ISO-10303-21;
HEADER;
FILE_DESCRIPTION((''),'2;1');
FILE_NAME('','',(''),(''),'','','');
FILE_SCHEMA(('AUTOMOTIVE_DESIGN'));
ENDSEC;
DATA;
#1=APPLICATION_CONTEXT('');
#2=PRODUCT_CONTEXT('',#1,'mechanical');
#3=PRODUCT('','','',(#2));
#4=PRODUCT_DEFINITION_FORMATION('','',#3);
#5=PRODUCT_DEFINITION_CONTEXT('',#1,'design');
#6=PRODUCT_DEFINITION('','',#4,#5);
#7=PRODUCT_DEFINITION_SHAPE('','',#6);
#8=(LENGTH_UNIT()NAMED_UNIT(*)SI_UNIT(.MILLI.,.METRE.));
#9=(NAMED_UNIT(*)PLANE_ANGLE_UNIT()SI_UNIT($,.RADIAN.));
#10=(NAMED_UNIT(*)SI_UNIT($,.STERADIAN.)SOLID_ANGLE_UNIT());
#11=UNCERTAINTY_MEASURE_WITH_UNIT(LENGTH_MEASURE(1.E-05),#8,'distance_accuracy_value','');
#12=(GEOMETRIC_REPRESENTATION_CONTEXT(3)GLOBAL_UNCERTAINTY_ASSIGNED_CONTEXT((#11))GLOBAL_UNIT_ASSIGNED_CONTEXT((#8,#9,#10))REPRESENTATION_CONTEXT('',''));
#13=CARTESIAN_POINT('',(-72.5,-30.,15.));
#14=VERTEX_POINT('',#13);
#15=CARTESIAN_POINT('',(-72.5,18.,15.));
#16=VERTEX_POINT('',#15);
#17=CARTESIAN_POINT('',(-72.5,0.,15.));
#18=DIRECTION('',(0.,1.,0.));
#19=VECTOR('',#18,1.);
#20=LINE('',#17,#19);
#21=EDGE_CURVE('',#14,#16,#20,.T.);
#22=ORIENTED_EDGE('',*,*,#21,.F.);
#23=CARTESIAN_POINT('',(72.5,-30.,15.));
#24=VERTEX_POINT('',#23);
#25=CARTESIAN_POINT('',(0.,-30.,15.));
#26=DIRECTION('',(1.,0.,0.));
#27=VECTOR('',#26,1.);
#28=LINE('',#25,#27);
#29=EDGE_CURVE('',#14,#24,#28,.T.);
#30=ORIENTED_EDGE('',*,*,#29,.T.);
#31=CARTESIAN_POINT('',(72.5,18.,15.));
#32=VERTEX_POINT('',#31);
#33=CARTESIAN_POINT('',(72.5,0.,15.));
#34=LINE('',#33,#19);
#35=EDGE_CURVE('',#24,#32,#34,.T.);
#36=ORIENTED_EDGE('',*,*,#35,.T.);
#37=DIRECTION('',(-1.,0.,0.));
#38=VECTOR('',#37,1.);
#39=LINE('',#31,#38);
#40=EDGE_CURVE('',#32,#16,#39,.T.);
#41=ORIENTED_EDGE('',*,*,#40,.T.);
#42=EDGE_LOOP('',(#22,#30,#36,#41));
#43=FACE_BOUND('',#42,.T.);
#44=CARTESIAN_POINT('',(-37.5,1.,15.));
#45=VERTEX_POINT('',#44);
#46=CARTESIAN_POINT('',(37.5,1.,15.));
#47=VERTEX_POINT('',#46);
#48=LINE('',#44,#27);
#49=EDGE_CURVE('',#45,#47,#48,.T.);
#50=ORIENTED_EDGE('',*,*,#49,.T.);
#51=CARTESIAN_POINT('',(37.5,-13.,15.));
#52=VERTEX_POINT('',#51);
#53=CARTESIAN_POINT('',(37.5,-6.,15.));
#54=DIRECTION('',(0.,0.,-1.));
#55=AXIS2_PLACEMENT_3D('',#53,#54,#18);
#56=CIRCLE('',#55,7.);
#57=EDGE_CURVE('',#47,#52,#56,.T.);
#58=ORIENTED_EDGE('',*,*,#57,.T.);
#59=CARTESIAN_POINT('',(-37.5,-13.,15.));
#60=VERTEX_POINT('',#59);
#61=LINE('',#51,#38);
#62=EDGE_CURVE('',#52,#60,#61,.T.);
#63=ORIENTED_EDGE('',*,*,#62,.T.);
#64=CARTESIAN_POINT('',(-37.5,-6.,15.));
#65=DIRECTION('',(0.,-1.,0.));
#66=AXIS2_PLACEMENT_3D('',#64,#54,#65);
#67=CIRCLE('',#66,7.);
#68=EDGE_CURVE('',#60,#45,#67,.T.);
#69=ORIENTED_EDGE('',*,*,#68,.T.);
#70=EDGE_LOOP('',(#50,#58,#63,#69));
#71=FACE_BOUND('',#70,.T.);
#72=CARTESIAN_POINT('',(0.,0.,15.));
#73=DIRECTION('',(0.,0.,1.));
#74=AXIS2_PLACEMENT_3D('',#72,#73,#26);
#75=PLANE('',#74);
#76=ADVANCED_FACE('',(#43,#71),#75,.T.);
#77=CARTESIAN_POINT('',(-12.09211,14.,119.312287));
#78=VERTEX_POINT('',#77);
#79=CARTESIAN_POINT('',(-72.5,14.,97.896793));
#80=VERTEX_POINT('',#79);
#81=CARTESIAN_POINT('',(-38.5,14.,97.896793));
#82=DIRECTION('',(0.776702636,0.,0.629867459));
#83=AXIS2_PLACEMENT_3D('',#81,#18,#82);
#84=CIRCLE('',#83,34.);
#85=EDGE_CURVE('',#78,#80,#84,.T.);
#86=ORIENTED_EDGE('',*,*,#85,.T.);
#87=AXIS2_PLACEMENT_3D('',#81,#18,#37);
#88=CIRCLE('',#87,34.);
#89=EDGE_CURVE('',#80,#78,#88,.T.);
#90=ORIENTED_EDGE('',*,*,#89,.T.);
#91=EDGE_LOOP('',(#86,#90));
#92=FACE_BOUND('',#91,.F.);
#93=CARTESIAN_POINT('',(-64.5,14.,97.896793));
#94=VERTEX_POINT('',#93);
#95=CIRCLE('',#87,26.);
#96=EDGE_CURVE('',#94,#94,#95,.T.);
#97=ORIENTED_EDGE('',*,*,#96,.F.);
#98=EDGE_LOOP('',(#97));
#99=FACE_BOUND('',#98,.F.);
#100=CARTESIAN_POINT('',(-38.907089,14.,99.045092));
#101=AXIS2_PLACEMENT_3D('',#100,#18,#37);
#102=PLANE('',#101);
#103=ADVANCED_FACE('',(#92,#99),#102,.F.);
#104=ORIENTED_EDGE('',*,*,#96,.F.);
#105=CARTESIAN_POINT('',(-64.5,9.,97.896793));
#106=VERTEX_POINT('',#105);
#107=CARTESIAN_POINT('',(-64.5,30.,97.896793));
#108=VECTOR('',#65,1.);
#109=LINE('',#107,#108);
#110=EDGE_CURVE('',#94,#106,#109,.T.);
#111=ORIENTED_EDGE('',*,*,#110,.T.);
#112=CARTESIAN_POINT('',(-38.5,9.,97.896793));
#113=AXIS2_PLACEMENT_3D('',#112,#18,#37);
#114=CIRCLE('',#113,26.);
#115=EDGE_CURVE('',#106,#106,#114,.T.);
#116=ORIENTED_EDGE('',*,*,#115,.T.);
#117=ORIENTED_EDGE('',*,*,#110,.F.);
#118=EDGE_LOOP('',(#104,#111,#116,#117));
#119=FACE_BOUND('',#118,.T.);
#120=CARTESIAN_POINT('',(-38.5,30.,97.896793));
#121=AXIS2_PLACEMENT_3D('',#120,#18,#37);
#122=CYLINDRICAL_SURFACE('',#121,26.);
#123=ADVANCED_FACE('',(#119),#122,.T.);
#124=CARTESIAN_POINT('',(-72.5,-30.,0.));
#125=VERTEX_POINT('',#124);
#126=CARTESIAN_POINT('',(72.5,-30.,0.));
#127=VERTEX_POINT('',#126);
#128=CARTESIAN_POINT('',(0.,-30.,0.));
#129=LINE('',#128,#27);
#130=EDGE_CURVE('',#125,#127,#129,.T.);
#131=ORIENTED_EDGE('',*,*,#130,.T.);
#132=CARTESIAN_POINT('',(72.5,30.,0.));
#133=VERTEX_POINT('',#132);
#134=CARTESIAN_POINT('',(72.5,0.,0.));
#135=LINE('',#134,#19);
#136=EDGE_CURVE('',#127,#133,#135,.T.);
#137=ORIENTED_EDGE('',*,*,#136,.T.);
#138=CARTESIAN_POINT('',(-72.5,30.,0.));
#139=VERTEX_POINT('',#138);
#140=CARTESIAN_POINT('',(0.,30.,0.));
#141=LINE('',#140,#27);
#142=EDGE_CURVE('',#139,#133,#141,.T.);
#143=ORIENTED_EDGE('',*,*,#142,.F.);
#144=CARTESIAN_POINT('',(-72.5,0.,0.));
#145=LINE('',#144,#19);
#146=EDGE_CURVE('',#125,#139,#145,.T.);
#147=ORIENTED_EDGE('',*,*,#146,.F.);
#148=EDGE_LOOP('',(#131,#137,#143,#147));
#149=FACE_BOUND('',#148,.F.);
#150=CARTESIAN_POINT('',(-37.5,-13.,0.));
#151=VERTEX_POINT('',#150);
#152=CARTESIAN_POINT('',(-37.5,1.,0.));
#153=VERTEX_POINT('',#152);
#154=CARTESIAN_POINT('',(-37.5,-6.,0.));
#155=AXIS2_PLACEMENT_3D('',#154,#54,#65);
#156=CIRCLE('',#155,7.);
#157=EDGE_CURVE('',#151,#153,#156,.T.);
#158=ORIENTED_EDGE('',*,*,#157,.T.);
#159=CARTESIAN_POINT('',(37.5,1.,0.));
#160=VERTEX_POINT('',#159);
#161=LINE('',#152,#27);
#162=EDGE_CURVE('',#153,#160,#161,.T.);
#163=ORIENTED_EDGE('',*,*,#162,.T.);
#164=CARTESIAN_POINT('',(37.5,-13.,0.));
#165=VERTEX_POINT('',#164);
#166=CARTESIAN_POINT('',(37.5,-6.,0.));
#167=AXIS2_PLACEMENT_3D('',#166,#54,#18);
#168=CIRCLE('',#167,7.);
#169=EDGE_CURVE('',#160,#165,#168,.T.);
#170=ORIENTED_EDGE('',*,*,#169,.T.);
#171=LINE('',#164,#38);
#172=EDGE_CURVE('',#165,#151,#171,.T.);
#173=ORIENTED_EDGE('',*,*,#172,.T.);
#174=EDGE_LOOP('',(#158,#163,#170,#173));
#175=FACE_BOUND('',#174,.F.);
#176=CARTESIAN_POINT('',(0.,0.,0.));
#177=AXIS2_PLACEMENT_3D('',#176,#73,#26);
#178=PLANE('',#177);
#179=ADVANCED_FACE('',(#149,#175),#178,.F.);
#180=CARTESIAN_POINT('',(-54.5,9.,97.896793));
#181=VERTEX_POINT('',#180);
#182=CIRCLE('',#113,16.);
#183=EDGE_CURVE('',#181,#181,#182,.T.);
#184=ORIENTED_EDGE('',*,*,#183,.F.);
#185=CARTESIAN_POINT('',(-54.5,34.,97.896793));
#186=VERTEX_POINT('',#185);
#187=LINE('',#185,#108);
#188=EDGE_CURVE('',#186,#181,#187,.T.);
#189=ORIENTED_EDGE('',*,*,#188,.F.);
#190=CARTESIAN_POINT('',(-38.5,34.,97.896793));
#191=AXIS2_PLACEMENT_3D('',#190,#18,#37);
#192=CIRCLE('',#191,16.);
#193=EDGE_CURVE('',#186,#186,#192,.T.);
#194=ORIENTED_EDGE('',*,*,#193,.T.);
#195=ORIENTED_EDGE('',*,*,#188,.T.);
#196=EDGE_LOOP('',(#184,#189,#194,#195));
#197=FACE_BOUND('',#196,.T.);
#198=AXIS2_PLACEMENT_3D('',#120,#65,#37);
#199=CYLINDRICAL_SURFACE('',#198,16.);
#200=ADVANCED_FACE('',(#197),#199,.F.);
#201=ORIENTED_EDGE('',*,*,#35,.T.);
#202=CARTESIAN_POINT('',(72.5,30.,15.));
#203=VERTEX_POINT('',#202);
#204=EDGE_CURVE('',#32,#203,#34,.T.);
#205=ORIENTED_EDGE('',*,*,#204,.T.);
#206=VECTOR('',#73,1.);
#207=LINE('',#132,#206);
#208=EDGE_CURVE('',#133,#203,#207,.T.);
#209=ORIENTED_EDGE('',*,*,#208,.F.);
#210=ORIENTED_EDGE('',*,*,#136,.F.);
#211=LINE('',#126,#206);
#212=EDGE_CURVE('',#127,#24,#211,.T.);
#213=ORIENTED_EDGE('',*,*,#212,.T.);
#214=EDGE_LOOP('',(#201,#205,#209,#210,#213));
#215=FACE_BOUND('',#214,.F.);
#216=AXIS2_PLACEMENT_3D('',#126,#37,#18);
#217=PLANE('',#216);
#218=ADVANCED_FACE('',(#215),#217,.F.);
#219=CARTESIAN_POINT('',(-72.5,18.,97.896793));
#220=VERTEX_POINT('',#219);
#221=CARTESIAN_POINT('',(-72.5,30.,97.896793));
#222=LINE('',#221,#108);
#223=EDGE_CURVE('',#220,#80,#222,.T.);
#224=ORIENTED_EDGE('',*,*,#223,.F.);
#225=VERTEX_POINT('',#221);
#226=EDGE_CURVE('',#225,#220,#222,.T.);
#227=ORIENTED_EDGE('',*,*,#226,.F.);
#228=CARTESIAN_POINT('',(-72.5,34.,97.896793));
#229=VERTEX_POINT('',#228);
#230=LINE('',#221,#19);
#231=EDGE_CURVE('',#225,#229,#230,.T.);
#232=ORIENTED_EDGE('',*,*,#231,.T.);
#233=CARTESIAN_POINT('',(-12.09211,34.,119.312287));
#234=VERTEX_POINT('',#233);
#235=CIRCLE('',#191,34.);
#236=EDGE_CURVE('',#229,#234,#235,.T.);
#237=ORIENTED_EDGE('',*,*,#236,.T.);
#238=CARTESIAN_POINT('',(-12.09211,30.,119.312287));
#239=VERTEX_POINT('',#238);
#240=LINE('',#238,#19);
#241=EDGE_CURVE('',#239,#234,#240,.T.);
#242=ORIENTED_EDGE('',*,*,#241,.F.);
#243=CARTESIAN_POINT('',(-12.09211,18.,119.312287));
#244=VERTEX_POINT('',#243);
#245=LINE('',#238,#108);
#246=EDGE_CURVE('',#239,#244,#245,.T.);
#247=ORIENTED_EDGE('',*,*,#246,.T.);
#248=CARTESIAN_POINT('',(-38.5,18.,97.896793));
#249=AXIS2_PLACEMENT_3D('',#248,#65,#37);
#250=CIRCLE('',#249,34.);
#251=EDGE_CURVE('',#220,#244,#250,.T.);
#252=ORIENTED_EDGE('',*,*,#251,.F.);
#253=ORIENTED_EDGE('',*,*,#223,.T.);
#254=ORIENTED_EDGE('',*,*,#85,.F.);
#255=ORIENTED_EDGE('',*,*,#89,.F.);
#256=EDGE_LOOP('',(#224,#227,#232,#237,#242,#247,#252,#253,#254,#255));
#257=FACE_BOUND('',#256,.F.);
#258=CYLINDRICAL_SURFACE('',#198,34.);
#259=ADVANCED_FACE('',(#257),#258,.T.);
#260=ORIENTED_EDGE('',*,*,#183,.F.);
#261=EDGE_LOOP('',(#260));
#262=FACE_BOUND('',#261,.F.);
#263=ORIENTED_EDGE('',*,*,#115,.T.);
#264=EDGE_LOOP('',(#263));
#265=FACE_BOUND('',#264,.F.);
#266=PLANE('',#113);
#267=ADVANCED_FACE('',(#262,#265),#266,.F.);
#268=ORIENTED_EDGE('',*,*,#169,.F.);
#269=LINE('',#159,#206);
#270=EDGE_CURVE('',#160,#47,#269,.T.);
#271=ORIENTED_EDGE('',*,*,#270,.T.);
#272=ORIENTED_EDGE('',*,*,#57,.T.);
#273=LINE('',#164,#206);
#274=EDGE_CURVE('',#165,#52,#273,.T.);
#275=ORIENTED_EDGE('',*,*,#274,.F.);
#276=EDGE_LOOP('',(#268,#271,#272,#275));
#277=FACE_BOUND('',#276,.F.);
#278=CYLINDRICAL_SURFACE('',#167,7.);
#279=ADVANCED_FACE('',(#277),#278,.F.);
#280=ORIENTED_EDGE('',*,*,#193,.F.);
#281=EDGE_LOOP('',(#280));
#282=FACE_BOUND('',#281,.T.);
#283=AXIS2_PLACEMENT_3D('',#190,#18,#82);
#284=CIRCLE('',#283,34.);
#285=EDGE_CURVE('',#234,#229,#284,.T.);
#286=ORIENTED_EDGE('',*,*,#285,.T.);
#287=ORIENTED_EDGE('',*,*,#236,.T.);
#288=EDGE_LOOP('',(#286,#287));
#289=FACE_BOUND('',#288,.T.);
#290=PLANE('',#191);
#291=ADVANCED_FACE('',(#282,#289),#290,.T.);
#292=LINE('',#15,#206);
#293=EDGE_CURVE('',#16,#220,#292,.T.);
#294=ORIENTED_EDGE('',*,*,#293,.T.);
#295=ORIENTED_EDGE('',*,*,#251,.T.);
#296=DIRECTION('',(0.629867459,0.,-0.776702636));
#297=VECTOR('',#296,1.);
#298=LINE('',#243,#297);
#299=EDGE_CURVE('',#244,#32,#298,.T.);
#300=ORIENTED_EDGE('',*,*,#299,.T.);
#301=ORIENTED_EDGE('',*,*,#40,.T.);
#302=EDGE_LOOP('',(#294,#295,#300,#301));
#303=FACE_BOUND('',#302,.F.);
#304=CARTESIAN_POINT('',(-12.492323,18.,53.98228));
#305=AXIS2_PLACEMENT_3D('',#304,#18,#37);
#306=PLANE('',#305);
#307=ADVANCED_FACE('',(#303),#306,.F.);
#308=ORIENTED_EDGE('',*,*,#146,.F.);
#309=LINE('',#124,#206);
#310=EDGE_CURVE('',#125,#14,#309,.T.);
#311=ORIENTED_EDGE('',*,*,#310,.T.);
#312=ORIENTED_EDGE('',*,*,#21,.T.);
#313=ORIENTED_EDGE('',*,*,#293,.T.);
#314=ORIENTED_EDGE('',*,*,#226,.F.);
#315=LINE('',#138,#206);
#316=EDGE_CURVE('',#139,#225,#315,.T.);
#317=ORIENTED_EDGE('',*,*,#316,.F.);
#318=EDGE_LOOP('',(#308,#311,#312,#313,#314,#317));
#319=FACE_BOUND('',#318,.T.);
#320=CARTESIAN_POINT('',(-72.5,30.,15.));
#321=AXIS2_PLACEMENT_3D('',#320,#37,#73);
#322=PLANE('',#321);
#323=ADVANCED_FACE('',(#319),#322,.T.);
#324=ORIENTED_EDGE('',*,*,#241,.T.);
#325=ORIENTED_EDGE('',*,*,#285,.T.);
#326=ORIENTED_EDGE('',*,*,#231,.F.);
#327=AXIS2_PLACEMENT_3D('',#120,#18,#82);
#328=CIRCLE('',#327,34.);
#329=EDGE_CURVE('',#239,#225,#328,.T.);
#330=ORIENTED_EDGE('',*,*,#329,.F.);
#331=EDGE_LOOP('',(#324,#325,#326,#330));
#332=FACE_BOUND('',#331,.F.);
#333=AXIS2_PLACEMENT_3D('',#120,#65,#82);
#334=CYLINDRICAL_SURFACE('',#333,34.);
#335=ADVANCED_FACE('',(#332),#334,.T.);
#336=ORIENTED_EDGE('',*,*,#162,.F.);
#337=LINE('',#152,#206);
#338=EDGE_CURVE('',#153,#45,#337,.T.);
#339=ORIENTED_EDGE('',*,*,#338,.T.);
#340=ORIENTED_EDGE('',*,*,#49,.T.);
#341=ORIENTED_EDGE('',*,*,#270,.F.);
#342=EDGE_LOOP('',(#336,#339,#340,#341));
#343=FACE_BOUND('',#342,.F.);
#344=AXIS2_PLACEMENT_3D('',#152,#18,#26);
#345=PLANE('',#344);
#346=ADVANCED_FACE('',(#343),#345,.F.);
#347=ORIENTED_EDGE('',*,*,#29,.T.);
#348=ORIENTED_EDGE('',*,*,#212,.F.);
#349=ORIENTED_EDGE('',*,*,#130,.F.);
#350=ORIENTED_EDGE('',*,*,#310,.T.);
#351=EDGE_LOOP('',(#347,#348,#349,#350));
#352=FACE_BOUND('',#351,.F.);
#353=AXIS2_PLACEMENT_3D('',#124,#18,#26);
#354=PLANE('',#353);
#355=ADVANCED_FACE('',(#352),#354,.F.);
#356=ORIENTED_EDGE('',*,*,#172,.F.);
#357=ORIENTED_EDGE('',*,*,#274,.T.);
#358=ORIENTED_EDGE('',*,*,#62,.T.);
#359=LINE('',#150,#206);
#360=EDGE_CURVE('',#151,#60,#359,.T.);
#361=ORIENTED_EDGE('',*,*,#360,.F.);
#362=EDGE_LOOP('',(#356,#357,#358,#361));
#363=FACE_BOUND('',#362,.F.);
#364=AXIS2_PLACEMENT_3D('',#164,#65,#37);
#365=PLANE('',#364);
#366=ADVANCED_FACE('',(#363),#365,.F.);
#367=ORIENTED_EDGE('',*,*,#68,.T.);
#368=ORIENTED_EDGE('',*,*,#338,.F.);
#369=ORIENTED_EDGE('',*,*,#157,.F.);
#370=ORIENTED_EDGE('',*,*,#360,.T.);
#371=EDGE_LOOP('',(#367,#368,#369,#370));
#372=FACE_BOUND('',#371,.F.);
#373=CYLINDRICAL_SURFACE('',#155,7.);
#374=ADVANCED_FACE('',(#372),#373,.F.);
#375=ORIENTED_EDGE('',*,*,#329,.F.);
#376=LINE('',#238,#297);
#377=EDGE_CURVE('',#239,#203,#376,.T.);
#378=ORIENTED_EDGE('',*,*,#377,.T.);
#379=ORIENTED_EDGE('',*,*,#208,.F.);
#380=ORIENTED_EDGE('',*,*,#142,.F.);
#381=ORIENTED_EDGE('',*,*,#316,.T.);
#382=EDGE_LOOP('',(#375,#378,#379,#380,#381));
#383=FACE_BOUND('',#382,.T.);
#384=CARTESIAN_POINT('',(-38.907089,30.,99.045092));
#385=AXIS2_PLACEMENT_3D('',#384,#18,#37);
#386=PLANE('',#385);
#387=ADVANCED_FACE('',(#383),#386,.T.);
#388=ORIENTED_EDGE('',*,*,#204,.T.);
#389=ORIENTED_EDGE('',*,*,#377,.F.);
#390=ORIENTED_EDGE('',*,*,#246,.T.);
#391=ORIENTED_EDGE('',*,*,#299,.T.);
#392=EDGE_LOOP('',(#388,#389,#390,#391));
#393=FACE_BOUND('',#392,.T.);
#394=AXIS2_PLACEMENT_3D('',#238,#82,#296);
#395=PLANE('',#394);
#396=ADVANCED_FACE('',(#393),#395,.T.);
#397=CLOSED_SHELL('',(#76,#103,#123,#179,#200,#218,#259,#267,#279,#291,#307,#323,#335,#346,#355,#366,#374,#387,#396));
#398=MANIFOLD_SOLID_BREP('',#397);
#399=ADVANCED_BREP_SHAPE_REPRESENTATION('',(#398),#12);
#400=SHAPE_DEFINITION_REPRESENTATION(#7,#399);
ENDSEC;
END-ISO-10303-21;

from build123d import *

# Parameters (mm, degrees)
F0_W     = 145
F0_H     = 60
F1_DEPTH = 15
F4_DEPTH = 12
F3_R     = 26
F5_DEPTH = 16
F3_R_2   = 16
F6_DEPTH = 21
F7_DEPTH = 4
F8_DEPTH = 4


with BuildPart() as f1:
    # F0 (on Top) → F1 (new body)
    with BuildSketch(Plane.XY):
        Rectangle(F0_W, F0_H)
        with BuildLine():
            ThreePointArc((37.5, 1), (44.5, -6), (37.5, -13))
            Line((37.5, -13), (-37.5, -13))
            ThreePointArc((-37.5, -13), (-44.5, -6), (-37.5, 1))
            Line((-37.5, 1), (37.5, 1))
        make_face(mode=Mode.SUBTRACT)
    extrude(amount=F1_DEPTH)

    # F3 (on offset) → F4 (join)
    with BuildSketch(Plane(origin=(0, 30, 0), x_dir=(-1, 0, 0), z_dir=(0, 1, 0))):
        with BuildLine():
            Line((12.092110391, 119.3122868922), (-72.5, 15))
            Line((-72.5, 15), (72.5, 15))
            Line((72.5, 15), (72.5, 97.8967932859))
            ThreePointArc((72.5, 97.8967932859), (27.1392836208, 65.8509804026), (12.092110391, 119.3122868922))
        make_face()
    extrude(amount=-F4_DEPTH)

    # F3 (on offset) → F5 (join)
    with BuildSketch(Plane(origin=(0, 30, 0), x_dir=(-1, 0, 0), z_dir=(0, 1, 0))):
        with BuildLine():
            ThreePointArc((72.5, 97.8967932859), (49.8607163792, 129.9426061692), (12.092110391, 119.3122868922))
            ThreePointArc((12.092110391, 119.3122868922), (27.1392836208, 65.8509804026), (72.5, 97.8967932859))
        make_face()
        with Locations((38.5, 97.8967932859)):
            Circle(F3_R, mode=Mode.SUBTRACT)
    extrude(amount=-F5_DEPTH)

    # F3 (on offset) → F6 (join)
    with BuildSketch(Plane(origin=(0, 30, 0), x_dir=(-1, 0, 0), z_dir=(0, 1, 0))):
        with Locations((38.5, 97.8967932859)):
            Circle(F3_R)
        with Locations((38.5, 97.8967932859)):
            Circle(F3_R_2, mode=Mode.SUBTRACT)
    extrude(amount=-F6_DEPTH)

    # F3 (on offset) → F7 (join)
    with BuildSketch(Plane(origin=(0, 30, 0), x_dir=(-1, 0, 0), z_dir=(0, 1, 0))):
        with BuildLine():
            ThreePointArc((72.5, 97.8967932859), (49.8607163792, 129.9426061692), (12.092110391, 119.3122868922))
            ThreePointArc((12.092110391, 119.3122868922), (27.1392836208, 65.8509804026), (72.5, 97.8967932859))
        make_face()
        with Locations((38.5, 97.8967932859)):
            Circle(F3_R, mode=Mode.SUBTRACT)
    extrude(amount=F7_DEPTH)

    # F3 (on offset) → F8 (join)
    with BuildSketch(Plane(origin=(0, 30, 0), x_dir=(-1, 0, 0), z_dir=(0, 1, 0))):
        with Locations((38.5, 97.8967932859)):
            Circle(F3_R)
        with Locations((38.5, 97.8967932859)):
            Circle(F3_R_2, mode=Mode.SUBTRACT)
    extrude(amount=F8_DEPTH)


solid = f1.part
